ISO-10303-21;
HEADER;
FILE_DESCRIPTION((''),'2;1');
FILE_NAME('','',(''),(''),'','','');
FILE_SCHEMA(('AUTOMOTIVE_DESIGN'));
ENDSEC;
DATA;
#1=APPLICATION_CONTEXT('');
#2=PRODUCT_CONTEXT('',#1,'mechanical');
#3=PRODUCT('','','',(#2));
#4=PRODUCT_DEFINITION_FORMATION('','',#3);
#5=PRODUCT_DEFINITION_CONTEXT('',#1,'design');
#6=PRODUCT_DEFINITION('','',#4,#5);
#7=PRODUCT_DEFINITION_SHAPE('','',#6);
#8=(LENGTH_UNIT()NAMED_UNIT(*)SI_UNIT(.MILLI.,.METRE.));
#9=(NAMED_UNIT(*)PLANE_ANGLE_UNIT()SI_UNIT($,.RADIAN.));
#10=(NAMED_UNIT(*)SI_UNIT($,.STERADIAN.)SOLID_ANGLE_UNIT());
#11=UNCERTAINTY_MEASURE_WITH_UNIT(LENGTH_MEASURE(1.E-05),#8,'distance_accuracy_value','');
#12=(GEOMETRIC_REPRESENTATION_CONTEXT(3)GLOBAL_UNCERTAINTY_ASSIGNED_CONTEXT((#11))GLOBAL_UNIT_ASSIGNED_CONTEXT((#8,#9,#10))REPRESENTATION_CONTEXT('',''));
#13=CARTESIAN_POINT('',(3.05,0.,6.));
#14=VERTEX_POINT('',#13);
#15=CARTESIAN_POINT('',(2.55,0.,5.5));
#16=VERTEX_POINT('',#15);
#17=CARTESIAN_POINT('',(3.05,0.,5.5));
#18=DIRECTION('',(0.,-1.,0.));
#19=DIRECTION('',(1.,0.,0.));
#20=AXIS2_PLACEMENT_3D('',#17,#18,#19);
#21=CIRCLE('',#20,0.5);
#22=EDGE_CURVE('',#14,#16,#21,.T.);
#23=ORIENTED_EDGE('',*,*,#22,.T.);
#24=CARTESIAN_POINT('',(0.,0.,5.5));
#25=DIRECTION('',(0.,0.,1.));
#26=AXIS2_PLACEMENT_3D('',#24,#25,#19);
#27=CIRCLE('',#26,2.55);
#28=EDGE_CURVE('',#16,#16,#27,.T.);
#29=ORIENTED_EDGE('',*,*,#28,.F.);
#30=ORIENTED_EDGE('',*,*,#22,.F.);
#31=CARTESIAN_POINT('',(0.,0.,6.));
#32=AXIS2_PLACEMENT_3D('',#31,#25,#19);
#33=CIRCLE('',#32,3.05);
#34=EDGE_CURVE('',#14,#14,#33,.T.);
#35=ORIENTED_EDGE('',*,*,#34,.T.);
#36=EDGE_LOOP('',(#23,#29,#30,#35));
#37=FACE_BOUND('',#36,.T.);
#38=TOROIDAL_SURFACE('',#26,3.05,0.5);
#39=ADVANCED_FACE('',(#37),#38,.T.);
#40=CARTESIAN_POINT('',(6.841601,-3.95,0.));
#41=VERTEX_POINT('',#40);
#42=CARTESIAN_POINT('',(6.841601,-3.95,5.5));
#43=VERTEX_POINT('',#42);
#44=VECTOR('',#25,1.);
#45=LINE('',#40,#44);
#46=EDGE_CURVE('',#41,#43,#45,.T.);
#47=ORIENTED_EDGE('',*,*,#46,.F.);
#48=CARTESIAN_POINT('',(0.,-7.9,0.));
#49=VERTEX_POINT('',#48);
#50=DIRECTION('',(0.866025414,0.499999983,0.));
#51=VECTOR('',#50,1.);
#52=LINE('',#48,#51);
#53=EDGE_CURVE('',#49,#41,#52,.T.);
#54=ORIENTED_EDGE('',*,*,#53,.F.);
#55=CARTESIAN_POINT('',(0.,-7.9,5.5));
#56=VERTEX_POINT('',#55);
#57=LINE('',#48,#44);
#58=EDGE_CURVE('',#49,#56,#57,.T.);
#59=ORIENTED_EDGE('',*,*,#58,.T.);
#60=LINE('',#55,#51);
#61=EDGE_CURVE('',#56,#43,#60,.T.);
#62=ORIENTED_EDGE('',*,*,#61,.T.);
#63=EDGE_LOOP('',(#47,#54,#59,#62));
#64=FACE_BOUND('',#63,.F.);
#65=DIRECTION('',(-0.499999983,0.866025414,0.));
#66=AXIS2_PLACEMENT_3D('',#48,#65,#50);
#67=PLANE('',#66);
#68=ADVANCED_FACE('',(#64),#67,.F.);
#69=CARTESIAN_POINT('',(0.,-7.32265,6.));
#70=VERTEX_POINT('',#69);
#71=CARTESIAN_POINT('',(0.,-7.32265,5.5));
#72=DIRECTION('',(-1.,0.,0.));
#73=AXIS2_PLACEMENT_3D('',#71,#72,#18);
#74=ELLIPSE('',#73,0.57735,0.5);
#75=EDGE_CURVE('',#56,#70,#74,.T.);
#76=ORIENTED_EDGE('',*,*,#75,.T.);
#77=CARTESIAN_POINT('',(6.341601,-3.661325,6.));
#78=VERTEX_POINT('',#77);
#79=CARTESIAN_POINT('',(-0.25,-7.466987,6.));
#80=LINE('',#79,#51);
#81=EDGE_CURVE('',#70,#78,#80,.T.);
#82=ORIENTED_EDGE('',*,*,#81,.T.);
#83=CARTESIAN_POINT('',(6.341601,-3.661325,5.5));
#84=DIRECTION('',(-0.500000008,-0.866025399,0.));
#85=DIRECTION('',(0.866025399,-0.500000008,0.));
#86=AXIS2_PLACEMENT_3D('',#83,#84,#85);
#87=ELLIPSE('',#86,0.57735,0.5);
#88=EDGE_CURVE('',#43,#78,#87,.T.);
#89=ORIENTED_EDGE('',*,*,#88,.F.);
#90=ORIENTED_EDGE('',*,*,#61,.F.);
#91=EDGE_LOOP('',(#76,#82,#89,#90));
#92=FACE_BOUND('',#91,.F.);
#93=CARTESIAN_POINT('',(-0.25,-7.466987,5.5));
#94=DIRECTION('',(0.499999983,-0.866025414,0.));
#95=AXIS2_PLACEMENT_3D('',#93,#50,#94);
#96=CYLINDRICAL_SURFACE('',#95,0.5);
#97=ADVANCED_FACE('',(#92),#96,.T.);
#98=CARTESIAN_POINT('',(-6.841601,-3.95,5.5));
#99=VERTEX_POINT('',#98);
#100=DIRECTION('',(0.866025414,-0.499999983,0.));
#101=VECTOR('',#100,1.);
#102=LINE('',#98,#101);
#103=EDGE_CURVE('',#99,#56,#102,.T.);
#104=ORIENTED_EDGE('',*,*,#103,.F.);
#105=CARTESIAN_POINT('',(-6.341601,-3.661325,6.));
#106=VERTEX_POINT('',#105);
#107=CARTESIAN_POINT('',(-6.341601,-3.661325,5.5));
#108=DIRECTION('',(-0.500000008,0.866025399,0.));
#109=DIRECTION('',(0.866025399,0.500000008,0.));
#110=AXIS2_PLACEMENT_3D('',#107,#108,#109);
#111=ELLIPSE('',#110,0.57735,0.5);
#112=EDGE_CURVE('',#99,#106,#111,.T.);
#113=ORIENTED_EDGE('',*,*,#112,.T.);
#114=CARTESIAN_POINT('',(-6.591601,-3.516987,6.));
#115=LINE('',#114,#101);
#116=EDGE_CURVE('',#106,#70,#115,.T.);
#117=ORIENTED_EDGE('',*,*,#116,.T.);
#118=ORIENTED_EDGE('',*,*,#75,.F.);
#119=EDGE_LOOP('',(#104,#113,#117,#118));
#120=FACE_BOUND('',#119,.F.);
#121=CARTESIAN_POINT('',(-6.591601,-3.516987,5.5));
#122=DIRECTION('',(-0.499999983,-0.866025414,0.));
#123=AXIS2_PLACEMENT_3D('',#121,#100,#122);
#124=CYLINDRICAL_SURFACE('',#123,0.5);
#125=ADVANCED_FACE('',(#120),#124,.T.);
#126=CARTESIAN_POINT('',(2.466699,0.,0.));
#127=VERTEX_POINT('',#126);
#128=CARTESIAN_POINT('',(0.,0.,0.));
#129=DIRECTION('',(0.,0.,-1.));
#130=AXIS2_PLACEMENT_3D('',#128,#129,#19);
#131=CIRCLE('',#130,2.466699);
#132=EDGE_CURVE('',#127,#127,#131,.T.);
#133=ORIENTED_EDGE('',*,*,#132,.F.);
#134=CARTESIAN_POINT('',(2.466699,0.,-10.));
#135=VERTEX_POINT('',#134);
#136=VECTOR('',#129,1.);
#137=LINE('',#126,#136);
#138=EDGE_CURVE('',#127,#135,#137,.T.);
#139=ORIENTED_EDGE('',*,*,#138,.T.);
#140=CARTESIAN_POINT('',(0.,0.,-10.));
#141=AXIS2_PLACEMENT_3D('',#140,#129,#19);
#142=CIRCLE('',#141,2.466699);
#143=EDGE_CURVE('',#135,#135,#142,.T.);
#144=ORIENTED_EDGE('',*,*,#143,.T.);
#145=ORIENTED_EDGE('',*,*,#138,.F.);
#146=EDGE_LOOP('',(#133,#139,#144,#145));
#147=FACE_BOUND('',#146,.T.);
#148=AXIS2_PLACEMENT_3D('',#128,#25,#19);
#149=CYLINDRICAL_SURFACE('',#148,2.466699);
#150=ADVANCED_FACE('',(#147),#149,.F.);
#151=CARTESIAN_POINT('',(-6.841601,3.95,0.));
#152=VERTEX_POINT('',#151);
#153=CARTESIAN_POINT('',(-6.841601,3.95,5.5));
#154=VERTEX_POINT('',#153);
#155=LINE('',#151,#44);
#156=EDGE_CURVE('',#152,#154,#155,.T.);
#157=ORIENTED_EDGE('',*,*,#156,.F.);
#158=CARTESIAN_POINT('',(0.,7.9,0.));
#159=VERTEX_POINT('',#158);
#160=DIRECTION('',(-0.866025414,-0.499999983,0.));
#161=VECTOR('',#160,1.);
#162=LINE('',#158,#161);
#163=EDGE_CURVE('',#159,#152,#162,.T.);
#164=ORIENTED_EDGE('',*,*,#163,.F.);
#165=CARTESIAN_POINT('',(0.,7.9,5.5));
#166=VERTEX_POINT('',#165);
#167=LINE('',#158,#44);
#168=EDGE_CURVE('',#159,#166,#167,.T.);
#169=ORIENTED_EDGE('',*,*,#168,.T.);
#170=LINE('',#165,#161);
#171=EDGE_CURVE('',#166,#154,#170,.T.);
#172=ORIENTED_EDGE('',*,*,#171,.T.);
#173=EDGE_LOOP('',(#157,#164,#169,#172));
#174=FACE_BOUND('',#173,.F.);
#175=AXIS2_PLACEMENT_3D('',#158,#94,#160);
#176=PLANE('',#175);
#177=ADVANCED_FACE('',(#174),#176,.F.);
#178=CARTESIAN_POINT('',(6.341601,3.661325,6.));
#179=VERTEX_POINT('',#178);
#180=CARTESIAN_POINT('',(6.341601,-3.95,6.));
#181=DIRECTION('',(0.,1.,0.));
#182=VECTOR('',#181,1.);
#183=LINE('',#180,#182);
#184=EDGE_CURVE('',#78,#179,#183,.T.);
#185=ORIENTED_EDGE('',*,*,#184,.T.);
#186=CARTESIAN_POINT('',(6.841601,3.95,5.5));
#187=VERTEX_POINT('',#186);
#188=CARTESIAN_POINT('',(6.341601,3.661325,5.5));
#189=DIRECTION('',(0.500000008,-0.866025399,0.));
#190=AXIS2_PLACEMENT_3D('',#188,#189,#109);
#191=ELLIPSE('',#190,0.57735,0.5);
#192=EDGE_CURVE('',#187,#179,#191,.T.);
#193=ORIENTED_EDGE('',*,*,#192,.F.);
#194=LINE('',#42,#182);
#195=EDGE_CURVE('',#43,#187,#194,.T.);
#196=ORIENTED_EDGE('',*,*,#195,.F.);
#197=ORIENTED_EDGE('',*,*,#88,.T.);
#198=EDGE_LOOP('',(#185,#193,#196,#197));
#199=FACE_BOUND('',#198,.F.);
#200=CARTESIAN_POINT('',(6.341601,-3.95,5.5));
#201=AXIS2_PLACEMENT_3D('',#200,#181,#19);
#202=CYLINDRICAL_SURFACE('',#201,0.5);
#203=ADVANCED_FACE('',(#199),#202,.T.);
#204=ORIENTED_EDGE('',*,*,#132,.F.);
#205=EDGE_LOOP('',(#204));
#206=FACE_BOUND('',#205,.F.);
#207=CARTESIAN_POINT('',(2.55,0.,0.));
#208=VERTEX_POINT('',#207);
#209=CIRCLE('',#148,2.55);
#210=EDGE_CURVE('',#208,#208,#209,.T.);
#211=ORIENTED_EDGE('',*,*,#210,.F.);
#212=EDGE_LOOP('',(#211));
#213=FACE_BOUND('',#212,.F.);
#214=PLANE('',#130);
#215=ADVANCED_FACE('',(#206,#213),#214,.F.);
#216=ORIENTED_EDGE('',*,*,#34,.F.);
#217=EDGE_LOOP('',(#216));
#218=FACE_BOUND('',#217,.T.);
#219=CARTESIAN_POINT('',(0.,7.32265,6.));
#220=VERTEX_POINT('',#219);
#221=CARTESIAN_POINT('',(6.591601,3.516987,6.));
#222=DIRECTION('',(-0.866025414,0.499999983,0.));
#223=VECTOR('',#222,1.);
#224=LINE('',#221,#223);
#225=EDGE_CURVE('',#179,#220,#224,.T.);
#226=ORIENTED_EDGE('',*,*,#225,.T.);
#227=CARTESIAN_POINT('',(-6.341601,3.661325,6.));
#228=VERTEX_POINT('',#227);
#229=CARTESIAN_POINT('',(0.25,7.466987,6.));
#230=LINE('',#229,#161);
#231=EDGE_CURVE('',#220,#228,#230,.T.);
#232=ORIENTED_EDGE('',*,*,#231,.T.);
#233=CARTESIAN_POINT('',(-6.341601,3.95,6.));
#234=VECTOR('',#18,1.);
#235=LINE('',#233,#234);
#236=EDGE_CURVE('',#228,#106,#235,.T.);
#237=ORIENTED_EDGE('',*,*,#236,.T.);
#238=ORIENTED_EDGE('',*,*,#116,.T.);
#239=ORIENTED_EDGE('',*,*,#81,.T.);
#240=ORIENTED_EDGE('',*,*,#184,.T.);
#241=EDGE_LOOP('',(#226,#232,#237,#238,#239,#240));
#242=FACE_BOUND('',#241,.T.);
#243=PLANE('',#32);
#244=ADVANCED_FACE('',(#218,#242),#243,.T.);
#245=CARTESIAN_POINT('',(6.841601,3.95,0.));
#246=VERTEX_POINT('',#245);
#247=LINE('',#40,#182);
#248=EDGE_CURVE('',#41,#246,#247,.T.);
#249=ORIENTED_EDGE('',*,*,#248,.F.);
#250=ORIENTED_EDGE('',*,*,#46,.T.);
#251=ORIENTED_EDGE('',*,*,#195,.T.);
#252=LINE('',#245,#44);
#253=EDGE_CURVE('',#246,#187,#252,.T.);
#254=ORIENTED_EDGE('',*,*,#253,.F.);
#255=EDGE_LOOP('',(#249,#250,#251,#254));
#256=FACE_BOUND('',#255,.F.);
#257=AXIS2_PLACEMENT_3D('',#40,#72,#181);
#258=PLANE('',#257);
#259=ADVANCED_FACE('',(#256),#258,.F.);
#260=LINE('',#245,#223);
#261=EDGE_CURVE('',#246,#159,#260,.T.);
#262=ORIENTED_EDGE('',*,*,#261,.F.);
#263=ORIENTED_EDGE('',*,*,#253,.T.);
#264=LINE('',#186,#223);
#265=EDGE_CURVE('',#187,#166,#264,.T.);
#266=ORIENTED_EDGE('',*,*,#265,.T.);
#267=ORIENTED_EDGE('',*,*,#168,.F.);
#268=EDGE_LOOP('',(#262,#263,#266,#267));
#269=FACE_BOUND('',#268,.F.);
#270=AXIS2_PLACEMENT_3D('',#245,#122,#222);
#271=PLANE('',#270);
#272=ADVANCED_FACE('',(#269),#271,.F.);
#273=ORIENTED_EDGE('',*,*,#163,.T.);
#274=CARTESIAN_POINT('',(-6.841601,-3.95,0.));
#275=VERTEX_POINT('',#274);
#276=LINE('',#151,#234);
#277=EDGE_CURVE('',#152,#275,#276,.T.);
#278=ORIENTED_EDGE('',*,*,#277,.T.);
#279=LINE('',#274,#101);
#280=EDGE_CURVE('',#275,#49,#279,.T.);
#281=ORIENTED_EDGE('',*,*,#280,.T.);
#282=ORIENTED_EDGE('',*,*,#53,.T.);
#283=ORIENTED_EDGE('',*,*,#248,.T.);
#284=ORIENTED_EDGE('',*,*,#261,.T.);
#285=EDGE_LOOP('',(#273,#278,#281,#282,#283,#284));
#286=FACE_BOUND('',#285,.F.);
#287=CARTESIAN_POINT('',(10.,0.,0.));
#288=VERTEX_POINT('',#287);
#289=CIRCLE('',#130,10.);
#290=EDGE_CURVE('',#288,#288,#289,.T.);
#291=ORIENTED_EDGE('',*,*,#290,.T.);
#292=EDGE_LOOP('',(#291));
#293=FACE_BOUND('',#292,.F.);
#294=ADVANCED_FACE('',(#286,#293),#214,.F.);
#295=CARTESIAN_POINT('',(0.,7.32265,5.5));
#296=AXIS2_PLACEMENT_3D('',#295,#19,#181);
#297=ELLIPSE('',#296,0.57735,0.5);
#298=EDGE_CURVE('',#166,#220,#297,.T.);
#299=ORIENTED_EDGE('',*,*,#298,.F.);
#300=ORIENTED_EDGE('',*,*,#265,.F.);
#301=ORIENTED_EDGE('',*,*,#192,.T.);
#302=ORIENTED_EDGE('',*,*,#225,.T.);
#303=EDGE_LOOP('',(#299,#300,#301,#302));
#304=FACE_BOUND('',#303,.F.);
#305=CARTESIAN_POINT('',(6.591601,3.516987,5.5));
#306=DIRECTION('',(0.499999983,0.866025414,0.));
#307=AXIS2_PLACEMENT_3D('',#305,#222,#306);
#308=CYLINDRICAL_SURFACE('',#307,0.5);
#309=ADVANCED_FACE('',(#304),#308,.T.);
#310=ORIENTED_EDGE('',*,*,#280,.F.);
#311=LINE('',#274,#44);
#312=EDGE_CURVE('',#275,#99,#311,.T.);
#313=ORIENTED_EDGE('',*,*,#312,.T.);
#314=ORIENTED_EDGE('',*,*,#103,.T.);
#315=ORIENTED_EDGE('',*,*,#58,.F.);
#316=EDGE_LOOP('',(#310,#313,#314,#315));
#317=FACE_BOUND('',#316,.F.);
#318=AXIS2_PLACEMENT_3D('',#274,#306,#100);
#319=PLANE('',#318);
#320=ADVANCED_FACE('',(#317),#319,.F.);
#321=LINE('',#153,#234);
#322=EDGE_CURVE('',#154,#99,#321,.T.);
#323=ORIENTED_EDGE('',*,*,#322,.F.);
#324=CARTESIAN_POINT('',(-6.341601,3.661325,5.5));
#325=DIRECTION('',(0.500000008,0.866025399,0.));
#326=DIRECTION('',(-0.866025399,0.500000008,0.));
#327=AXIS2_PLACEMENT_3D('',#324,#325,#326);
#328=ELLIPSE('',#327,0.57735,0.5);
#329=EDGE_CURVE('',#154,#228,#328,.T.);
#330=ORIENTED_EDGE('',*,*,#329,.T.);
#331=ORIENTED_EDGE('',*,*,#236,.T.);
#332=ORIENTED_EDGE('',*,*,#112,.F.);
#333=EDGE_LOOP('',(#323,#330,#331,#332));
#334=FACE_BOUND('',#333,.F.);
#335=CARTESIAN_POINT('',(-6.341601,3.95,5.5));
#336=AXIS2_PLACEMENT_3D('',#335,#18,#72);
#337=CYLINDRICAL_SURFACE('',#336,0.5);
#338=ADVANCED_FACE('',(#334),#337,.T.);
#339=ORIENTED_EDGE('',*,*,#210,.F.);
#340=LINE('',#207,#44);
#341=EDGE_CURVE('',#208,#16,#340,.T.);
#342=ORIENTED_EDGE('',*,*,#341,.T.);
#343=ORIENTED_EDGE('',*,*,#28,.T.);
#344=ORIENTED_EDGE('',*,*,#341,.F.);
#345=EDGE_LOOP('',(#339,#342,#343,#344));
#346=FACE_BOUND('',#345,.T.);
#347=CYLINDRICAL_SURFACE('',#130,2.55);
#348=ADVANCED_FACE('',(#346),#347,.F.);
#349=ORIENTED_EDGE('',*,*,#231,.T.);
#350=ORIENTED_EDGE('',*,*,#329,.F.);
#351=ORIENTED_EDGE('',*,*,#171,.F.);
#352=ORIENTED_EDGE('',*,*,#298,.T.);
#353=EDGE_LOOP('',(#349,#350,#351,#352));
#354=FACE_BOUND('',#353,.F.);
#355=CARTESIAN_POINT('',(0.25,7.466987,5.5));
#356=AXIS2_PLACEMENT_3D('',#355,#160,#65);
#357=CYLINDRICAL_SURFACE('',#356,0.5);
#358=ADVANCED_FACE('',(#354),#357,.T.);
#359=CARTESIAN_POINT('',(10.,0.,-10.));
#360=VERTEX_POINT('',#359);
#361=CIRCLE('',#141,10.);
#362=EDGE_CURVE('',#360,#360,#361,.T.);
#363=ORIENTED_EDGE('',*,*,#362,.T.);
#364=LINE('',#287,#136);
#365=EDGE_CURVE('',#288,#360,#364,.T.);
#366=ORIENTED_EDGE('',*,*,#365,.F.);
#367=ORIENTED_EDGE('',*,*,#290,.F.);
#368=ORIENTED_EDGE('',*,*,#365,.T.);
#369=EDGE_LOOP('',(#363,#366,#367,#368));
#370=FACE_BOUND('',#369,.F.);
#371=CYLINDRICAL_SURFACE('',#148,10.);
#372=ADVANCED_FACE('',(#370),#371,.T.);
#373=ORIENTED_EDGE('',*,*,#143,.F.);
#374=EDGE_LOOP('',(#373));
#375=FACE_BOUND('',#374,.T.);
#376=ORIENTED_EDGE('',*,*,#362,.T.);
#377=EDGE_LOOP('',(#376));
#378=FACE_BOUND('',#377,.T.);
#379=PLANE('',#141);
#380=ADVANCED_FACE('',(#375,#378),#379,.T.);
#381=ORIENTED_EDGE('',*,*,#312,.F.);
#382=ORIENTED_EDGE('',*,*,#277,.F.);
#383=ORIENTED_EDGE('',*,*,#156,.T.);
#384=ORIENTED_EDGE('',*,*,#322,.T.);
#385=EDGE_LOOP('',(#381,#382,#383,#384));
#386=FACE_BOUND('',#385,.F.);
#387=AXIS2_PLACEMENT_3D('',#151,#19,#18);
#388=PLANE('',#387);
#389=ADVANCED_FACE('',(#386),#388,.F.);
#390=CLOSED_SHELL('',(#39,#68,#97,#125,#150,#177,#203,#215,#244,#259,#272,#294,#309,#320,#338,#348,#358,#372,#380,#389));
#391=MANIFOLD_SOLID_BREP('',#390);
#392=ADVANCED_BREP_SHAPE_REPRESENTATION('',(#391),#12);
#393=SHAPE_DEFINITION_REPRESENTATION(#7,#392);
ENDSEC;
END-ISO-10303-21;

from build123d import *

# Parameters (mm, degrees)
SKETCH_R      = 2.55
PAD_DEPTH     = 6
SKETCH001_R   = 10
SKETCH001_R_2 = 2.466699
PAD001_DEPTH  = 10
FILLET_R      = 0.5


with BuildPart() as part:
    # Sketch → Pad (new body)
    with BuildSketch(Plane.XY):
        Polygon((-6.841601, -3.95), (0, -7.9), (6.841601, -3.95), (6.841601, 3.95), (0, 7.9), (-6.841601, 3.95), align=None)
        Circle(SKETCH_R, mode=Mode.SUBTRACT)
    extrude(amount=PAD_DEPTH)

    # Sketch001 → Pad001 (new body)
    with BuildSketch(Plane(origin=(0, 0, 0), x_dir=(1, 0, 0), z_dir=(0, 0, -1))):
        Circle(SKETCH001_R)
        Circle(SKETCH001_R_2, mode=Mode.SUBTRACT)
    extrude(amount=PAD001_DEPTH)

    # Fillet
    fillet_edges = [part.edges().sort_by_distance(p)[0] for p in [
        (-3.4208, -5.925, 6),
        (3.4208, -5.925, 6),
        (6.841601, 0, 6),
        (3.4208, 5.925, 6),
        (-3.4208, 5.925, 6),
        (-6.841601, 0, 6),
        (-2.55, 0, 6),
    ]]
    fillet(fillet_edges, radius=FILLET_R)


solid = part.part
